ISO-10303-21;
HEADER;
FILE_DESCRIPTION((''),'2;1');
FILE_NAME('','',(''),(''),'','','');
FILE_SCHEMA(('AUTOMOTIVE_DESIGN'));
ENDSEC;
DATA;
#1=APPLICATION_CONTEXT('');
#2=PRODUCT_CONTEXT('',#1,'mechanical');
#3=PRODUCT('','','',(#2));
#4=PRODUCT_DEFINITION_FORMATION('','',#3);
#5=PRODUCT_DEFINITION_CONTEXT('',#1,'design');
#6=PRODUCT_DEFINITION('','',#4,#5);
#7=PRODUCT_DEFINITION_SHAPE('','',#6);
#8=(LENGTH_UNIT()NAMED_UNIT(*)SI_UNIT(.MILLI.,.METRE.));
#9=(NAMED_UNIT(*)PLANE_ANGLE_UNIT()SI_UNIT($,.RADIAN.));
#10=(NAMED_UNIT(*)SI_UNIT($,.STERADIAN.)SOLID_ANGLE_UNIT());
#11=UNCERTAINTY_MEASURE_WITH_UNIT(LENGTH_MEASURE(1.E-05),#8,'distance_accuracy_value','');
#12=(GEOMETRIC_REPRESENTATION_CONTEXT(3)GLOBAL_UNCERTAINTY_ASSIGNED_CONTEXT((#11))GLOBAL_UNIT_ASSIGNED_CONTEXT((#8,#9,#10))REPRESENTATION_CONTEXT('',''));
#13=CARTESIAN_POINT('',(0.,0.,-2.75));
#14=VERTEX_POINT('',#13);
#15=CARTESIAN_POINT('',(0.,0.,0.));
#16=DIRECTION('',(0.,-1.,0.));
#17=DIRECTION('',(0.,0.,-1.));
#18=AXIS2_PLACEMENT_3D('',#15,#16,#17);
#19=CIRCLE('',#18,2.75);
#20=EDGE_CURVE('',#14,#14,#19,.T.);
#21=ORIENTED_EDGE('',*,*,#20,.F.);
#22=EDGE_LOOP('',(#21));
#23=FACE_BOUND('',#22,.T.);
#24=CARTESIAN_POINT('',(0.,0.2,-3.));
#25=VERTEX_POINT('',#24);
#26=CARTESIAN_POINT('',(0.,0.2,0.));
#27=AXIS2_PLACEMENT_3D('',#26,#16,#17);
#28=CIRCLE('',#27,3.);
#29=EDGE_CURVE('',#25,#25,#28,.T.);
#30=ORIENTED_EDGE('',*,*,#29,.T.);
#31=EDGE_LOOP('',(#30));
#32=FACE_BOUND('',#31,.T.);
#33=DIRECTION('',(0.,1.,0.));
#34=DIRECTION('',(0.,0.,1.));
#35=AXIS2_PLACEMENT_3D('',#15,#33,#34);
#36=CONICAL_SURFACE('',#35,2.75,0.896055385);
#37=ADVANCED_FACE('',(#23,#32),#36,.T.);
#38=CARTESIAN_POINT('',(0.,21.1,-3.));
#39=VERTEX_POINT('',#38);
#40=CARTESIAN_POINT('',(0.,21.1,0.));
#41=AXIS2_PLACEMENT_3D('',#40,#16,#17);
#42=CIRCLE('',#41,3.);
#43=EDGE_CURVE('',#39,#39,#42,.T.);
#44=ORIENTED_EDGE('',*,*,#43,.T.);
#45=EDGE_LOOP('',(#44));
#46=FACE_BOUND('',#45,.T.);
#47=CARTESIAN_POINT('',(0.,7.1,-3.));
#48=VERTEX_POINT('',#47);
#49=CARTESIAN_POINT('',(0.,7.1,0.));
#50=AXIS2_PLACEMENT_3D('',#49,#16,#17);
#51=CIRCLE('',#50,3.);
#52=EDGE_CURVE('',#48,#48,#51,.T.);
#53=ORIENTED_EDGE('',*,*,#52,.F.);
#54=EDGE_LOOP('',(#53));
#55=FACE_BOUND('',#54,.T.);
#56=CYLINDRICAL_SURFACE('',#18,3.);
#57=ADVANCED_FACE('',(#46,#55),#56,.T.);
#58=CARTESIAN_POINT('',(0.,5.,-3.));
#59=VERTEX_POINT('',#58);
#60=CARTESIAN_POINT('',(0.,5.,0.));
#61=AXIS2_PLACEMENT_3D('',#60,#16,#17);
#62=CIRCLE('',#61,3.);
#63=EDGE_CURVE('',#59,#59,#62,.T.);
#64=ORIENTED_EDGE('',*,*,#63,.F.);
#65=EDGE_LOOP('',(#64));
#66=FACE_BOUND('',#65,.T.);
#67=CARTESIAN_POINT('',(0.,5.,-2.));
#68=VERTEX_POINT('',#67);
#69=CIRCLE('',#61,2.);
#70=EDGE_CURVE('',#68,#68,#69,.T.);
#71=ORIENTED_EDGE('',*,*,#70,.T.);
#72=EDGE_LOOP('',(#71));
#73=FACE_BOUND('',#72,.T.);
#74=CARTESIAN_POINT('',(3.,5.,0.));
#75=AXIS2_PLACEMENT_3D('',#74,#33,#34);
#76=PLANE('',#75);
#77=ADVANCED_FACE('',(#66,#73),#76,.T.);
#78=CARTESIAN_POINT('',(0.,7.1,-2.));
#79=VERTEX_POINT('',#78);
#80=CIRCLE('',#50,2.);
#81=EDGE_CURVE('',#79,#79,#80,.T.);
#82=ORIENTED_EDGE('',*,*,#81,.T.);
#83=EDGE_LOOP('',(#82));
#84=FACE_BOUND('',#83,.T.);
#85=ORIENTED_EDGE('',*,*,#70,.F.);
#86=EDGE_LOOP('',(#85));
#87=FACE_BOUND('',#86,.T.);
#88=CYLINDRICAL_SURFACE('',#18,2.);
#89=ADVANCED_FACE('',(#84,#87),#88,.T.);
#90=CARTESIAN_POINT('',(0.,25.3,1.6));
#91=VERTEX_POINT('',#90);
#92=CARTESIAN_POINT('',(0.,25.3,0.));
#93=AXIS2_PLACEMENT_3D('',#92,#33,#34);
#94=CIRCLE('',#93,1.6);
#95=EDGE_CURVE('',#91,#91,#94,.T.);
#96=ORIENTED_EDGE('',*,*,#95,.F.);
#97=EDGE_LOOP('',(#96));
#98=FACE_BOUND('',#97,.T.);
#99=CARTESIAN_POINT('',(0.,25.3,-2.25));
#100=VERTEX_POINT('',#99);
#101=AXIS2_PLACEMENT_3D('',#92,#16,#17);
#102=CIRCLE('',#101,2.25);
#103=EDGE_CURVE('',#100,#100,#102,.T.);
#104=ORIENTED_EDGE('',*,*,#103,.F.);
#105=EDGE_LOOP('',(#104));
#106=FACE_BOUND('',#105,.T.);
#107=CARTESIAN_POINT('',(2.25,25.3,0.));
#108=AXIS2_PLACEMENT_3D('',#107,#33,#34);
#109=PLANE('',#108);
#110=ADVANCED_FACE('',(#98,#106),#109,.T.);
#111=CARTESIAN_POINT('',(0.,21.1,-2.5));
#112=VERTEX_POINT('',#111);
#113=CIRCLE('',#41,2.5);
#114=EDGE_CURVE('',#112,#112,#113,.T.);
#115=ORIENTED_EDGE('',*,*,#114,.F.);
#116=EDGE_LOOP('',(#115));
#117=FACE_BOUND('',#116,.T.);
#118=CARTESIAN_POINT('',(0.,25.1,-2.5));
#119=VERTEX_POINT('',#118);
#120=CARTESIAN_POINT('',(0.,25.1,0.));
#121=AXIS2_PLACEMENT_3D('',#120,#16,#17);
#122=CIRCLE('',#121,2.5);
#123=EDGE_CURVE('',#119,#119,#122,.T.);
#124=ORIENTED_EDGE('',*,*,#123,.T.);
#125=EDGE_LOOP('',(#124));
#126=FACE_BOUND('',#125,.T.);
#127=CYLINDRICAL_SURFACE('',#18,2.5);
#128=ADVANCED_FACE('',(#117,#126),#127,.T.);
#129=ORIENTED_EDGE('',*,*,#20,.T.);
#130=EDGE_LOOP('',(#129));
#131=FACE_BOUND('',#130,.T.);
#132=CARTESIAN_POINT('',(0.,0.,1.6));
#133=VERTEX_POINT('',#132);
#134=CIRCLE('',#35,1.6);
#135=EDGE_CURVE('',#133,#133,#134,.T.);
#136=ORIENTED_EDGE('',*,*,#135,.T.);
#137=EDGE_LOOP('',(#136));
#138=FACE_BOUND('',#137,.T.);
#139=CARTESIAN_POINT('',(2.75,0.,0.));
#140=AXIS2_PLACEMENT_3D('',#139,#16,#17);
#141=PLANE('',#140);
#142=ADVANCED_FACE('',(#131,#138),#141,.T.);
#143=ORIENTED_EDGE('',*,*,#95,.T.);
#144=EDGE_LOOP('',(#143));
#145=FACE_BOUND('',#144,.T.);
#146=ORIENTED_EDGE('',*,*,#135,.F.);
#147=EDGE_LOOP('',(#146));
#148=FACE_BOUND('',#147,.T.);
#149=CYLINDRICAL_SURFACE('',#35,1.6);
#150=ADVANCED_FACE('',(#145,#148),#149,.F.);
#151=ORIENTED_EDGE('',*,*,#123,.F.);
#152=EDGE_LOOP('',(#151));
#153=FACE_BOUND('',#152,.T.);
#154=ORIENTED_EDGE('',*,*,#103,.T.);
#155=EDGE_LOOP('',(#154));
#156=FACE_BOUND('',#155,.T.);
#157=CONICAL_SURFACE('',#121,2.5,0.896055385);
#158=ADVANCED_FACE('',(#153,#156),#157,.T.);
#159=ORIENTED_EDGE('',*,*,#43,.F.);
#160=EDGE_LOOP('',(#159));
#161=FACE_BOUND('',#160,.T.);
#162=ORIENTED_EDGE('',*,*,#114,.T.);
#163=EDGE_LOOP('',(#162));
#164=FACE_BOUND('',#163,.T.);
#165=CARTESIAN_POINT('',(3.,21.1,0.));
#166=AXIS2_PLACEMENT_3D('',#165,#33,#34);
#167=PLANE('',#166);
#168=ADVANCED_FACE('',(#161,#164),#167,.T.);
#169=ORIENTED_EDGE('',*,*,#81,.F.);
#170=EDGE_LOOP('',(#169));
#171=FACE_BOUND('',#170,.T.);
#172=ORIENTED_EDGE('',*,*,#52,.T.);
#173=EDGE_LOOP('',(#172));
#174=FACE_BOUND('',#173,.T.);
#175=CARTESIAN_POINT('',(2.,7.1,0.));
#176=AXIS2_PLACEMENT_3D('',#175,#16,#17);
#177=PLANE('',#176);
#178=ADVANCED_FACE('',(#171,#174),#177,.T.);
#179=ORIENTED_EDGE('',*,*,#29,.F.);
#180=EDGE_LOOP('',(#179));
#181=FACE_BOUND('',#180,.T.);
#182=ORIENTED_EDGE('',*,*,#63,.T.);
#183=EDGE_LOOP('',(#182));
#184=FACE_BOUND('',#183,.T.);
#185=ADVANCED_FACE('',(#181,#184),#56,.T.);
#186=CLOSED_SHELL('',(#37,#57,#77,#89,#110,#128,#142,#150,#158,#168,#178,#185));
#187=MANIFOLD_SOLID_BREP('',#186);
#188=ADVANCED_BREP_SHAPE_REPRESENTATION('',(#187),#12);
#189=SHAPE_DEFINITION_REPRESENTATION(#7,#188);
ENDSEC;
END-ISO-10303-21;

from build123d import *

# Parameters (mm, degrees)
SKETCH3_R          = 1.6
CUT_EXTRUDE1_DEPTH = 26.653264899


with BuildPart() as part:
    # Sketch1 → Revolve1 (revolve)
    with BuildSketch(Plane.XY, mode=Mode.PRIVATE) as revolve1_sk:
        Polygon((3, 0.2), (2.75, 0), (0, 0), (0, 25.3), (2.25, 25.3), (2.5, 25.1), (2.5, 21.1), (3, 21.1), (3, 7.1), (2, 7.1), (2, 5), (3, 5), align=None)
    revolve(revolve1_sk.sketch.rotate(Axis((0, 0, 0), (0, 1, 0)), 90), axis=Axis((0, 0, 0), (0, 1, 0)))

    # Sketch3 → Cut-Extrude1 (cut, through all)
    with BuildSketch(Plane(origin=(0, 25.3, 0), x_dir=(1, 0, 0), z_dir=(0, 1, 0))):
        with Locations(Location((0, 0, 0), (0, 0, 270))):
            Circle(SKETCH3_R)
    extrude(amount=-CUT_EXTRUDE1_DEPTH, mode=Mode.SUBTRACT)


solid = part.part
